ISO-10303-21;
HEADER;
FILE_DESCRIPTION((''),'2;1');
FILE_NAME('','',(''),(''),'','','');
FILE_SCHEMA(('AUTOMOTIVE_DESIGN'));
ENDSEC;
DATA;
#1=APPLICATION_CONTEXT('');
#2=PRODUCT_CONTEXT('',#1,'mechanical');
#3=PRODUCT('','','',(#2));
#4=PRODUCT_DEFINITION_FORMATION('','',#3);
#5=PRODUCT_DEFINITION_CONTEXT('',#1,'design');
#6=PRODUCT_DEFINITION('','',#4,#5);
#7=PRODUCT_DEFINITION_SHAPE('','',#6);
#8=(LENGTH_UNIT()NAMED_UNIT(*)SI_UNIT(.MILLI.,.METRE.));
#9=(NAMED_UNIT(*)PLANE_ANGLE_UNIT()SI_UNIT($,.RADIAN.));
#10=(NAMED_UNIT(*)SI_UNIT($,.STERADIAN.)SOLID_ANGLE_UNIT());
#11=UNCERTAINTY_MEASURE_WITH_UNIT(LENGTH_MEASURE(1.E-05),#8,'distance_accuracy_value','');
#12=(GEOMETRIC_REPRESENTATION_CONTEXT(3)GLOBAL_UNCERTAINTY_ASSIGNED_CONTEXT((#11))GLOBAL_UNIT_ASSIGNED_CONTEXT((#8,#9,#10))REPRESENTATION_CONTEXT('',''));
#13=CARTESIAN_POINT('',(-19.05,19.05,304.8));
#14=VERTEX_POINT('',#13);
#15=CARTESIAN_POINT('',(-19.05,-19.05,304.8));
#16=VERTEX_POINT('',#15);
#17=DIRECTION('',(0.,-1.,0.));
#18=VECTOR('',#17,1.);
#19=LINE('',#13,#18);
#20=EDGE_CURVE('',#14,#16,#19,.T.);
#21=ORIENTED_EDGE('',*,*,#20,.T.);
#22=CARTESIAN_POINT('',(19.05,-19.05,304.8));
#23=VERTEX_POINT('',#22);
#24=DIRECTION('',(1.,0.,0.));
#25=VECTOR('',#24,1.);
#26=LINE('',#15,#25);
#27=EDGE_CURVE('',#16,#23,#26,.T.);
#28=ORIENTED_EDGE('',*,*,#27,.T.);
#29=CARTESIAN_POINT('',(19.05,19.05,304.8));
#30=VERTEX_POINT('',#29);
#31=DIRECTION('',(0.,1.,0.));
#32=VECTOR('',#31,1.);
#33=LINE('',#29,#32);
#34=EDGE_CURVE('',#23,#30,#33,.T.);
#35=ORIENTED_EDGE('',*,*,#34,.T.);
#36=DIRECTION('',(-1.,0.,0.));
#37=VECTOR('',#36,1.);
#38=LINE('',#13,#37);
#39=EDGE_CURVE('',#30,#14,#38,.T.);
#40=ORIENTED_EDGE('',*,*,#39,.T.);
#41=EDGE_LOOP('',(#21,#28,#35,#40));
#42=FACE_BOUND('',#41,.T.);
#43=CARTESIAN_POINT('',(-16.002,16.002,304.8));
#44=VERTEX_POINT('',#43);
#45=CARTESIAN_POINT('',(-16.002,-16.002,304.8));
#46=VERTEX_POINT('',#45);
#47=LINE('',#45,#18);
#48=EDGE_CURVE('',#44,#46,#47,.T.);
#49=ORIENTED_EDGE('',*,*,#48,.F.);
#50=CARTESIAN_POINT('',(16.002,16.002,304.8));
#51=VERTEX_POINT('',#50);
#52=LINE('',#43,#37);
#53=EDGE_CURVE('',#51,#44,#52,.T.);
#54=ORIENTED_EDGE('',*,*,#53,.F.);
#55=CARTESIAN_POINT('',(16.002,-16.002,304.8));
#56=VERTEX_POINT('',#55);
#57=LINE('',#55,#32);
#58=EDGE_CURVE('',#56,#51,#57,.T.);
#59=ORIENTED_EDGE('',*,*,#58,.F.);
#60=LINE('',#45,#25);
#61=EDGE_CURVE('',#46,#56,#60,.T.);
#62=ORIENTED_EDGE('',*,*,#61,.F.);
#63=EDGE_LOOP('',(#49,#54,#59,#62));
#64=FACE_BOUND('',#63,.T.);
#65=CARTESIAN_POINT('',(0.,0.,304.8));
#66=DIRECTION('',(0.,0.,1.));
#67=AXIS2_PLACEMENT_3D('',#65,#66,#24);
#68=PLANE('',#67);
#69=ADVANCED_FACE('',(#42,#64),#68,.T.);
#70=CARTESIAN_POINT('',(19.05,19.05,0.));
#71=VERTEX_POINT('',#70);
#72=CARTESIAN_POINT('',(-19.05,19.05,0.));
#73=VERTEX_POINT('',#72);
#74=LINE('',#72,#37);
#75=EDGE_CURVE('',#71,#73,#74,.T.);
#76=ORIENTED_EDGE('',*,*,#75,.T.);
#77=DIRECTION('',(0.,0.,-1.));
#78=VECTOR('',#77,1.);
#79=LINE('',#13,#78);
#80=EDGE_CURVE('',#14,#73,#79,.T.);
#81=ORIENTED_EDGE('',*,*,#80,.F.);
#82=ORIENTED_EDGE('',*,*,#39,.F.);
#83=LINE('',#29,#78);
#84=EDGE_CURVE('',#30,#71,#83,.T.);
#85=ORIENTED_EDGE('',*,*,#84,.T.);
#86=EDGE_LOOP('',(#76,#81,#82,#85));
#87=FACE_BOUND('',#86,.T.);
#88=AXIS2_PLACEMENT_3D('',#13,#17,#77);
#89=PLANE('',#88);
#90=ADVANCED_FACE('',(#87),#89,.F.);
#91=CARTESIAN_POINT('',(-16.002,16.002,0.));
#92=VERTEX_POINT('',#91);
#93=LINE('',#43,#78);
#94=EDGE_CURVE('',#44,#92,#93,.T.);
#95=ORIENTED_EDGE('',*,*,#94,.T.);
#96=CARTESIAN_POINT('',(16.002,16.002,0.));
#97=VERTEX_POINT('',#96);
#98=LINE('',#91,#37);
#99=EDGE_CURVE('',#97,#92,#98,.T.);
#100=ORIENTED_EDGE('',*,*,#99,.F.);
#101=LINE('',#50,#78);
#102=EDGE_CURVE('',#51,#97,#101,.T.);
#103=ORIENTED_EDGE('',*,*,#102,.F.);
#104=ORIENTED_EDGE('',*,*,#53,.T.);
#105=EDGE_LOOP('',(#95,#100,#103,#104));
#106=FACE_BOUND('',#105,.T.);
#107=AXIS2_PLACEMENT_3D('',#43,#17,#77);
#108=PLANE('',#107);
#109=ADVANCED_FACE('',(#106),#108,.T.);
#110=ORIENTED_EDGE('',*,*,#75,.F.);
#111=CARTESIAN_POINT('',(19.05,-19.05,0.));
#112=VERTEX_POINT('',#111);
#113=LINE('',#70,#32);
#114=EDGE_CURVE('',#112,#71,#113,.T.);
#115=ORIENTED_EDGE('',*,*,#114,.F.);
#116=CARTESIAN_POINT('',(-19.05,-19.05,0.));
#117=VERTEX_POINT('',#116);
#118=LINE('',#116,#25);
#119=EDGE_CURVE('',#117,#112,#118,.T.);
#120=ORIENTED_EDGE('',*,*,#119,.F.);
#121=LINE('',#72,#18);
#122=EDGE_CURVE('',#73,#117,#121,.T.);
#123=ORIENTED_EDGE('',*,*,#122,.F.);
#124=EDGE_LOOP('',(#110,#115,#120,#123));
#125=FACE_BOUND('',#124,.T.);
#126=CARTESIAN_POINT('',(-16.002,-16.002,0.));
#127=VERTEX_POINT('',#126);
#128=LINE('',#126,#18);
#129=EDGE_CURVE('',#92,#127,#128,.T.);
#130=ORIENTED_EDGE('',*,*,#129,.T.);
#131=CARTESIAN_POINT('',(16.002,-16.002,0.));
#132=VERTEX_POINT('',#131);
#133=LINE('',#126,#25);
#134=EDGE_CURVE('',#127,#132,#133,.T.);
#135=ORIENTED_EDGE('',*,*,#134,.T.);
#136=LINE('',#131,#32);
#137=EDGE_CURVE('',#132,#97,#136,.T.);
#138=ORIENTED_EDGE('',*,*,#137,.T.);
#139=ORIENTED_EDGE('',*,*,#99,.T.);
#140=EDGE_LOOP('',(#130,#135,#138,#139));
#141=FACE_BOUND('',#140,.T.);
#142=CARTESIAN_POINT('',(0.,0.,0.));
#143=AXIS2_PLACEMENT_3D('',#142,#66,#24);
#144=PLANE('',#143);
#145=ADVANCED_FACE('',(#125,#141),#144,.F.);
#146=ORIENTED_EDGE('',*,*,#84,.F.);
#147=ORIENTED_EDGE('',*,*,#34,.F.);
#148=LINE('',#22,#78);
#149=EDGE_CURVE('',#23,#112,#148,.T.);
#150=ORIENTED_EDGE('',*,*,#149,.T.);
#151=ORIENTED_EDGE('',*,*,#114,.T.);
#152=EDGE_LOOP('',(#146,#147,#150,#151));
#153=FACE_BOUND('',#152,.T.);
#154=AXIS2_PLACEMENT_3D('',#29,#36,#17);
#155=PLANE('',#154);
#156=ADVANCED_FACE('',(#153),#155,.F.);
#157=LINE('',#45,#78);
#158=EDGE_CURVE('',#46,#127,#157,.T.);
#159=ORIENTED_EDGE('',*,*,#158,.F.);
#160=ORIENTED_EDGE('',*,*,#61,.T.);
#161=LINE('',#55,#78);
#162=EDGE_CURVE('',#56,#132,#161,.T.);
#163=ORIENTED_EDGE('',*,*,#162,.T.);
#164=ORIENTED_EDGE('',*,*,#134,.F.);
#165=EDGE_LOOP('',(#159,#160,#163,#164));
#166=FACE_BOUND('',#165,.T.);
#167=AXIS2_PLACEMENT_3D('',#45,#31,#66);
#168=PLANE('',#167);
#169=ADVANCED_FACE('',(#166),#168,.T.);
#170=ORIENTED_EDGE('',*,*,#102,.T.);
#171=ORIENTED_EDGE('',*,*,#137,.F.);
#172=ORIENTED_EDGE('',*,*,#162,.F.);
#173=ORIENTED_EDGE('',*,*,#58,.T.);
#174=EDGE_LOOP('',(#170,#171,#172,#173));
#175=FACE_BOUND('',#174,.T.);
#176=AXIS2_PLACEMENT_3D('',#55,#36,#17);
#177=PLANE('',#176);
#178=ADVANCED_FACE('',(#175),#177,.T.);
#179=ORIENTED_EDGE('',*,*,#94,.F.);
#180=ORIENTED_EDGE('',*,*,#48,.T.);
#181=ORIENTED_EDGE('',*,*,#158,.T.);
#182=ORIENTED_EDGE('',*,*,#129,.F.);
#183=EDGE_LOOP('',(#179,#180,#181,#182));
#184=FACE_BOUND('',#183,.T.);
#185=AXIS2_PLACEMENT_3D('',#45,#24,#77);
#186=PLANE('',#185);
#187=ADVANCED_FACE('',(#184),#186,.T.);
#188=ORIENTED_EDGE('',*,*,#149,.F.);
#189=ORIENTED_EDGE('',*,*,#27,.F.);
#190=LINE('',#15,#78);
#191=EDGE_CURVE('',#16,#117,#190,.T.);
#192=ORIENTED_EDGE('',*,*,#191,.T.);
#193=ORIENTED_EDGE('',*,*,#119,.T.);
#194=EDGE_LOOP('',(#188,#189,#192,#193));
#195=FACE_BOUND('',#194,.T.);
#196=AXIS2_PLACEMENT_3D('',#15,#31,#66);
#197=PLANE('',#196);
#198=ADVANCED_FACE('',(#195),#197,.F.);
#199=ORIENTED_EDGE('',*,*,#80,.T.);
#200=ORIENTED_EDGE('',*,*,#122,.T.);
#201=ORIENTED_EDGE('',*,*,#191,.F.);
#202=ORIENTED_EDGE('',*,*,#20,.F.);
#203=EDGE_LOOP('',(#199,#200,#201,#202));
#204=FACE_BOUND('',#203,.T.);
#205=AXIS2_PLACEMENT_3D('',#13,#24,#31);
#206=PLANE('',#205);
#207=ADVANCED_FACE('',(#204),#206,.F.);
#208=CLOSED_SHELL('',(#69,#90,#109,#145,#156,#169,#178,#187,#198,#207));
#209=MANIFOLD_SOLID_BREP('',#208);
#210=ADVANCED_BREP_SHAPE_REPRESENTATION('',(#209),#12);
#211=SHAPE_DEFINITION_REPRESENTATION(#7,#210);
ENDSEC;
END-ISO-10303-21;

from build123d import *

# Parameters (mm, degrees)
SKETCH2_W           = 38.1
SKETCH2_H           = 38.1
SKETCH2_W_2         = 32.004
SKETCH2_H_2         = 32.004
BOSS_EXTRUDE1_DEPTH = 304.8


with BuildPart() as part:
    # Sketch2 → Boss-Extrude1 (new body)
    with BuildSketch(Plane.XY):
        Rectangle(SKETCH2_W, SKETCH2_H)
        Rectangle(SKETCH2_W_2, SKETCH2_H_2, mode=Mode.SUBTRACT)
    extrude(amount=BOSS_EXTRUDE1_DEPTH)


solid = part.part
